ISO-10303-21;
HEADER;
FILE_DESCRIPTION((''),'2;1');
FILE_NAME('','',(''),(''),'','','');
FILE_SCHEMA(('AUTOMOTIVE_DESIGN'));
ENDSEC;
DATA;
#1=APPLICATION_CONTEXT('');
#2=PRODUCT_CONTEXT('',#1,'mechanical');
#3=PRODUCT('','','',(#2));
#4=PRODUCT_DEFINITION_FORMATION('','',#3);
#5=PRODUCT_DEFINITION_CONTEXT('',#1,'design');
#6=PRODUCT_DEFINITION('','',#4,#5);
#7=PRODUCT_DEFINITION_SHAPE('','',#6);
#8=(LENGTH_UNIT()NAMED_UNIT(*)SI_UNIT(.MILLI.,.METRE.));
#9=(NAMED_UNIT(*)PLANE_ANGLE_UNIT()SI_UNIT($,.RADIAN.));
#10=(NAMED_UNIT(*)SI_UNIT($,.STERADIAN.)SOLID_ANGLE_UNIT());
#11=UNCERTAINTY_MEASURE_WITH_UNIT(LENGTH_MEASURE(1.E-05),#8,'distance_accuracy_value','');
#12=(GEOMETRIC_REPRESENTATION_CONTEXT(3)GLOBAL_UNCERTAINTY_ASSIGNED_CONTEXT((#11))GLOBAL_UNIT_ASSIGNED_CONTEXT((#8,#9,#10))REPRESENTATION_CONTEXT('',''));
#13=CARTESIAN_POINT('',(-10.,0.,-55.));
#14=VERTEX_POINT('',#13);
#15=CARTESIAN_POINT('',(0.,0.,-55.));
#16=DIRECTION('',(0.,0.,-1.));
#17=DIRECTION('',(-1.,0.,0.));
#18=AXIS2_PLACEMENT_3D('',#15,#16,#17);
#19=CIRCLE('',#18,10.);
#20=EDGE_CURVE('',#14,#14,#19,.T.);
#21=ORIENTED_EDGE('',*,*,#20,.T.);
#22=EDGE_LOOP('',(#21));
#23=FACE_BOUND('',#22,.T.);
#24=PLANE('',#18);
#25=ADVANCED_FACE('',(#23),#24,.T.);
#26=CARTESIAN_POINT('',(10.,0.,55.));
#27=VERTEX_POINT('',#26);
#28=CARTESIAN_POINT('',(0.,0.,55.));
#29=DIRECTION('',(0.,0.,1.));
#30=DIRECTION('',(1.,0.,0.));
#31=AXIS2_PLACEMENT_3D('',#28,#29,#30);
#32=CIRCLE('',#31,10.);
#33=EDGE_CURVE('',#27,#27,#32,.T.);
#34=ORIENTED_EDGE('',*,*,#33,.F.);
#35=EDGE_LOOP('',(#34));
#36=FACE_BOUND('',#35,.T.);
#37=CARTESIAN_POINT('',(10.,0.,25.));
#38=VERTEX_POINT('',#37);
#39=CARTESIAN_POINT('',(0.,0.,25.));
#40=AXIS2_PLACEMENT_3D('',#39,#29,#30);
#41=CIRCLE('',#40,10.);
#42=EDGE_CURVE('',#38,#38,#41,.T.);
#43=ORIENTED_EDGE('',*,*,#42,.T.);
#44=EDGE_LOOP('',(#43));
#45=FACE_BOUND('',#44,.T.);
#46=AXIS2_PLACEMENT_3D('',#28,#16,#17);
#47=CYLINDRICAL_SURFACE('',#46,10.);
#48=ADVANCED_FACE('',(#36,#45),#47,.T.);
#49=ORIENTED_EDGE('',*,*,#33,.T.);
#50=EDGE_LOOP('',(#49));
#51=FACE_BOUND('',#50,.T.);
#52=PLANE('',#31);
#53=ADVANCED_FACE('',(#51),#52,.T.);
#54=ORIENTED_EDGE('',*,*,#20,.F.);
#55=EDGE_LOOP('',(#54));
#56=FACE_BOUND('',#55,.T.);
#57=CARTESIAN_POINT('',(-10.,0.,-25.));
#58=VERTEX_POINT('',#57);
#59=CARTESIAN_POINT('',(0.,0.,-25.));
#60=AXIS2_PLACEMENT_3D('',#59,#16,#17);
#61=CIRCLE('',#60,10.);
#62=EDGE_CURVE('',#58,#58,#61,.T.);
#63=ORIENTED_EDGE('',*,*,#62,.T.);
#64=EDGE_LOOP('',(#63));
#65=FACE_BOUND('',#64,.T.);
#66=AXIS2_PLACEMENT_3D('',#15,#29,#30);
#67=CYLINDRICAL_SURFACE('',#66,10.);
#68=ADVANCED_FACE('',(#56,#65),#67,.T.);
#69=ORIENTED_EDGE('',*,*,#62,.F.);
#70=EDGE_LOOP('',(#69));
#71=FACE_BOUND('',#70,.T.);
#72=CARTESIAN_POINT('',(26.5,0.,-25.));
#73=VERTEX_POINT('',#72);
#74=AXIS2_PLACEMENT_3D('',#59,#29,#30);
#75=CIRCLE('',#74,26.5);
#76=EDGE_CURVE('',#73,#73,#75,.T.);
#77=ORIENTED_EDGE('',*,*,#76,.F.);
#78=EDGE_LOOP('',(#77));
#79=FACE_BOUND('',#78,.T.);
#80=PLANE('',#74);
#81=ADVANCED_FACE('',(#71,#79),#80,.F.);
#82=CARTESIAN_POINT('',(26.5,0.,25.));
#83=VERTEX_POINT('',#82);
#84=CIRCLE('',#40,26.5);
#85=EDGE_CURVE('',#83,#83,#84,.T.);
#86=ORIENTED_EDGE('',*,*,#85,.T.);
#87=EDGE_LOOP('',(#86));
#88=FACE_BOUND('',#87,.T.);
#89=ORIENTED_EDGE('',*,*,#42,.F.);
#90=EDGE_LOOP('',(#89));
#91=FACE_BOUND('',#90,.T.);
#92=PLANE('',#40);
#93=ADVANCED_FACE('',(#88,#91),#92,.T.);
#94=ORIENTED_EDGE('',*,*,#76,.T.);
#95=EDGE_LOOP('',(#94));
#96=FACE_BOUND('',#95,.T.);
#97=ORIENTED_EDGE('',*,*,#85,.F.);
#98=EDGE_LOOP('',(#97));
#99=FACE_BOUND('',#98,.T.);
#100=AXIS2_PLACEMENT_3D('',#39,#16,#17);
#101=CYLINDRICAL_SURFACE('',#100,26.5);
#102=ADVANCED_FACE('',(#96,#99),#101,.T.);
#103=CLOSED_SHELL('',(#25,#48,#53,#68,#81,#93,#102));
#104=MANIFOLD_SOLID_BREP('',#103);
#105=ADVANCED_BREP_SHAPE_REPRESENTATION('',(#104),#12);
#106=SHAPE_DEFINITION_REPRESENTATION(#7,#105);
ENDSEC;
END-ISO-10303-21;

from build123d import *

# Parameters (mm, degrees)
SKETCH1_R           = 26.5
BOSS_EXTRUDE1_DEPTH = 25
SKETCH2_R           = 10
BOSS_EXTRUDE2_DEPTH = 30
BOSS_EXTRUDE3_START = 30
SKETCH3_R           = 10
BOSS_EXTRUDE3_DEPTH = 30


with BuildPart() as part:
    # Sketch1 → Boss-Extrude1 (new, symmetric)
    with BuildSketch(Plane.XY):
        Circle(SKETCH1_R)
    extrude(amount=BOSS_EXTRUDE1_DEPTH, both=True)

    # Sketch2 → Boss-Extrude2 (add)
    with BuildSketch(Plane(origin=(0, 0, -25), x_dir=(-1, 0, 0), z_dir=(0, 0, -1))):
        Circle(SKETCH2_R)
    extrude(amount=BOSS_EXTRUDE2_DEPTH)

    # Sketch3 → Boss-Extrude3 (add)
    with BuildSketch(Plane.XY.offset(25).offset(BOSS_EXTRUDE3_START)):
        with Locations(Location((0, 0, 0), (0, 0, 180))):
            Circle(SKETCH3_R)
    extrude(amount=-BOSS_EXTRUDE3_DEPTH)


solid = part.part
